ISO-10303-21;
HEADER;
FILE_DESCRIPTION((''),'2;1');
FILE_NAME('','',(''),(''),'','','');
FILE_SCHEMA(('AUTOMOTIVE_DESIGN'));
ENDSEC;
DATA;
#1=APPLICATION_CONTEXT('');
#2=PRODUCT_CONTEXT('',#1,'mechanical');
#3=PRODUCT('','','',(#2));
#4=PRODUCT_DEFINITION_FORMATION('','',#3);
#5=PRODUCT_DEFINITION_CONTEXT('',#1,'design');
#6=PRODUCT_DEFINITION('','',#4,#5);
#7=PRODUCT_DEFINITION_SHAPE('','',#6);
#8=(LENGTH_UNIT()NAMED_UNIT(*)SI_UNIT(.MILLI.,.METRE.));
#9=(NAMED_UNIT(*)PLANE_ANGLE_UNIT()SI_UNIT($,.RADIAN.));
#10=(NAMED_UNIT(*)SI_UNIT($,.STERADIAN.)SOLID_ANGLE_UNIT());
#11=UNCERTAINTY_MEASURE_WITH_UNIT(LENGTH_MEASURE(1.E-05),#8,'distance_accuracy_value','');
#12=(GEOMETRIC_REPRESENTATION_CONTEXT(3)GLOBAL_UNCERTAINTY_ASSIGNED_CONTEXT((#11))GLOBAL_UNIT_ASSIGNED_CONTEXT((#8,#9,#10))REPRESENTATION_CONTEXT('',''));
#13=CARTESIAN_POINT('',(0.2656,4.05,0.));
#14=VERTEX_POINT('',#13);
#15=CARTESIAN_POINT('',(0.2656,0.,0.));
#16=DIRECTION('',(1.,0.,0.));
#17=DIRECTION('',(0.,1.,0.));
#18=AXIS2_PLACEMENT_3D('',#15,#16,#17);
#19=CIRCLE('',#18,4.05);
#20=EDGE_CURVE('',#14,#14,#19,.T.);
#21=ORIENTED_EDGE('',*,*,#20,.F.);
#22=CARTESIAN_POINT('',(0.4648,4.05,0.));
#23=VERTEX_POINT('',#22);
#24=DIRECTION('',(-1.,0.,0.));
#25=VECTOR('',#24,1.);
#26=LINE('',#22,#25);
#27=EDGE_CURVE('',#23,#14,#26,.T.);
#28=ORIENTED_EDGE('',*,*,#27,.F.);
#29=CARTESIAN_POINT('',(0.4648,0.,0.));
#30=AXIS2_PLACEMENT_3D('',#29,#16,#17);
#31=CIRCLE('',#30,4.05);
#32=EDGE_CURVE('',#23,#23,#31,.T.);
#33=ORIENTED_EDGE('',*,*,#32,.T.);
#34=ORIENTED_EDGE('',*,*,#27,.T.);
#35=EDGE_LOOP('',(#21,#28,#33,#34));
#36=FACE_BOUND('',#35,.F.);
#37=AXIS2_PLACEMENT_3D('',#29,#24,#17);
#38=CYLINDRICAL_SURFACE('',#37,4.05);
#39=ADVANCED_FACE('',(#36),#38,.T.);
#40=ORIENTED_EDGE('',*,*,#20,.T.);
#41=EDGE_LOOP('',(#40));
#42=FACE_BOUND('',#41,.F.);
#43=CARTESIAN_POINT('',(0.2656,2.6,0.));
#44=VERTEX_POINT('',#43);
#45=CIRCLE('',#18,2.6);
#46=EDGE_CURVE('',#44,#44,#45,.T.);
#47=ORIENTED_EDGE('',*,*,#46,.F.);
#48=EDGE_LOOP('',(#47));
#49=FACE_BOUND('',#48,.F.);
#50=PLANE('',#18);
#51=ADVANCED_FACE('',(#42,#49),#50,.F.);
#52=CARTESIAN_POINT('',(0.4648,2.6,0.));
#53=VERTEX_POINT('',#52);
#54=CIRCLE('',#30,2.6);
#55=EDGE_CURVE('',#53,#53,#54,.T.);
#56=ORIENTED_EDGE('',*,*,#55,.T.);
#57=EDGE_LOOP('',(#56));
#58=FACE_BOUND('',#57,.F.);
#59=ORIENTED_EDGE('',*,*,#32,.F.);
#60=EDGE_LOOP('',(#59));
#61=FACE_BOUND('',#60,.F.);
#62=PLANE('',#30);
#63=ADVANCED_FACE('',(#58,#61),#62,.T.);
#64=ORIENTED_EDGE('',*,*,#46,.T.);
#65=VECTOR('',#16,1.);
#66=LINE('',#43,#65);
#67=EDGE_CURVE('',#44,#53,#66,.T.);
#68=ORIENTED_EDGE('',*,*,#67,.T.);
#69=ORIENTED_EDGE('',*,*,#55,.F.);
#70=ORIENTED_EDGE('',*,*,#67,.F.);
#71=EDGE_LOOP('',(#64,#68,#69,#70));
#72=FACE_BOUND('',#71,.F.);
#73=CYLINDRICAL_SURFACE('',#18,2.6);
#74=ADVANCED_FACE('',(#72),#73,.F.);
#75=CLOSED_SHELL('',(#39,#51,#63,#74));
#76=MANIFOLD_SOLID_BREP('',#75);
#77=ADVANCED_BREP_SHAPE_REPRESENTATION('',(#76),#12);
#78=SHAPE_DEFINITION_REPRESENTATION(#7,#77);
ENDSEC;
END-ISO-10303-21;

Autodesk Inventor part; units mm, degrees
sketch "Sketch_1" plane through (0, 0, 0) normal (0, 0, 1) x (1, 0, 0)
  line L0 (0.4648, 0) -> (0.2656, 0)
  line L1 (0.2656, 2.6) -> (0.4648, 2.6)
  line L2 (0.4648, 2.6) -> (0.4648, 4.05)
  line L3 (0.4648, 4.05) -> (0.2656, 4.05)
  line L4 (0.2656, 4.05) -> (0.2656, 2.6)
revolve "Revolution1" add sketch "Sketch_1" angle 360 about axis through (0.4648, 0, 0) along (1, 0, 0)
ref_plane "ip_st_s1_XY" through (0.2656, 0, 0) normal (1, 0, 0) x (0, 0, -1)
ref_plane "ip_st_s1_YZ" through (0.2656, 0, 0) normal (0, 0, -1) x (0, 1, 0)
ref_plane "ip_st_s1_ZX" through (0.2656, 0, 0) normal (0, 1, 0) x (1, 0, 0)
properties part number "684AZZ Shield1"
